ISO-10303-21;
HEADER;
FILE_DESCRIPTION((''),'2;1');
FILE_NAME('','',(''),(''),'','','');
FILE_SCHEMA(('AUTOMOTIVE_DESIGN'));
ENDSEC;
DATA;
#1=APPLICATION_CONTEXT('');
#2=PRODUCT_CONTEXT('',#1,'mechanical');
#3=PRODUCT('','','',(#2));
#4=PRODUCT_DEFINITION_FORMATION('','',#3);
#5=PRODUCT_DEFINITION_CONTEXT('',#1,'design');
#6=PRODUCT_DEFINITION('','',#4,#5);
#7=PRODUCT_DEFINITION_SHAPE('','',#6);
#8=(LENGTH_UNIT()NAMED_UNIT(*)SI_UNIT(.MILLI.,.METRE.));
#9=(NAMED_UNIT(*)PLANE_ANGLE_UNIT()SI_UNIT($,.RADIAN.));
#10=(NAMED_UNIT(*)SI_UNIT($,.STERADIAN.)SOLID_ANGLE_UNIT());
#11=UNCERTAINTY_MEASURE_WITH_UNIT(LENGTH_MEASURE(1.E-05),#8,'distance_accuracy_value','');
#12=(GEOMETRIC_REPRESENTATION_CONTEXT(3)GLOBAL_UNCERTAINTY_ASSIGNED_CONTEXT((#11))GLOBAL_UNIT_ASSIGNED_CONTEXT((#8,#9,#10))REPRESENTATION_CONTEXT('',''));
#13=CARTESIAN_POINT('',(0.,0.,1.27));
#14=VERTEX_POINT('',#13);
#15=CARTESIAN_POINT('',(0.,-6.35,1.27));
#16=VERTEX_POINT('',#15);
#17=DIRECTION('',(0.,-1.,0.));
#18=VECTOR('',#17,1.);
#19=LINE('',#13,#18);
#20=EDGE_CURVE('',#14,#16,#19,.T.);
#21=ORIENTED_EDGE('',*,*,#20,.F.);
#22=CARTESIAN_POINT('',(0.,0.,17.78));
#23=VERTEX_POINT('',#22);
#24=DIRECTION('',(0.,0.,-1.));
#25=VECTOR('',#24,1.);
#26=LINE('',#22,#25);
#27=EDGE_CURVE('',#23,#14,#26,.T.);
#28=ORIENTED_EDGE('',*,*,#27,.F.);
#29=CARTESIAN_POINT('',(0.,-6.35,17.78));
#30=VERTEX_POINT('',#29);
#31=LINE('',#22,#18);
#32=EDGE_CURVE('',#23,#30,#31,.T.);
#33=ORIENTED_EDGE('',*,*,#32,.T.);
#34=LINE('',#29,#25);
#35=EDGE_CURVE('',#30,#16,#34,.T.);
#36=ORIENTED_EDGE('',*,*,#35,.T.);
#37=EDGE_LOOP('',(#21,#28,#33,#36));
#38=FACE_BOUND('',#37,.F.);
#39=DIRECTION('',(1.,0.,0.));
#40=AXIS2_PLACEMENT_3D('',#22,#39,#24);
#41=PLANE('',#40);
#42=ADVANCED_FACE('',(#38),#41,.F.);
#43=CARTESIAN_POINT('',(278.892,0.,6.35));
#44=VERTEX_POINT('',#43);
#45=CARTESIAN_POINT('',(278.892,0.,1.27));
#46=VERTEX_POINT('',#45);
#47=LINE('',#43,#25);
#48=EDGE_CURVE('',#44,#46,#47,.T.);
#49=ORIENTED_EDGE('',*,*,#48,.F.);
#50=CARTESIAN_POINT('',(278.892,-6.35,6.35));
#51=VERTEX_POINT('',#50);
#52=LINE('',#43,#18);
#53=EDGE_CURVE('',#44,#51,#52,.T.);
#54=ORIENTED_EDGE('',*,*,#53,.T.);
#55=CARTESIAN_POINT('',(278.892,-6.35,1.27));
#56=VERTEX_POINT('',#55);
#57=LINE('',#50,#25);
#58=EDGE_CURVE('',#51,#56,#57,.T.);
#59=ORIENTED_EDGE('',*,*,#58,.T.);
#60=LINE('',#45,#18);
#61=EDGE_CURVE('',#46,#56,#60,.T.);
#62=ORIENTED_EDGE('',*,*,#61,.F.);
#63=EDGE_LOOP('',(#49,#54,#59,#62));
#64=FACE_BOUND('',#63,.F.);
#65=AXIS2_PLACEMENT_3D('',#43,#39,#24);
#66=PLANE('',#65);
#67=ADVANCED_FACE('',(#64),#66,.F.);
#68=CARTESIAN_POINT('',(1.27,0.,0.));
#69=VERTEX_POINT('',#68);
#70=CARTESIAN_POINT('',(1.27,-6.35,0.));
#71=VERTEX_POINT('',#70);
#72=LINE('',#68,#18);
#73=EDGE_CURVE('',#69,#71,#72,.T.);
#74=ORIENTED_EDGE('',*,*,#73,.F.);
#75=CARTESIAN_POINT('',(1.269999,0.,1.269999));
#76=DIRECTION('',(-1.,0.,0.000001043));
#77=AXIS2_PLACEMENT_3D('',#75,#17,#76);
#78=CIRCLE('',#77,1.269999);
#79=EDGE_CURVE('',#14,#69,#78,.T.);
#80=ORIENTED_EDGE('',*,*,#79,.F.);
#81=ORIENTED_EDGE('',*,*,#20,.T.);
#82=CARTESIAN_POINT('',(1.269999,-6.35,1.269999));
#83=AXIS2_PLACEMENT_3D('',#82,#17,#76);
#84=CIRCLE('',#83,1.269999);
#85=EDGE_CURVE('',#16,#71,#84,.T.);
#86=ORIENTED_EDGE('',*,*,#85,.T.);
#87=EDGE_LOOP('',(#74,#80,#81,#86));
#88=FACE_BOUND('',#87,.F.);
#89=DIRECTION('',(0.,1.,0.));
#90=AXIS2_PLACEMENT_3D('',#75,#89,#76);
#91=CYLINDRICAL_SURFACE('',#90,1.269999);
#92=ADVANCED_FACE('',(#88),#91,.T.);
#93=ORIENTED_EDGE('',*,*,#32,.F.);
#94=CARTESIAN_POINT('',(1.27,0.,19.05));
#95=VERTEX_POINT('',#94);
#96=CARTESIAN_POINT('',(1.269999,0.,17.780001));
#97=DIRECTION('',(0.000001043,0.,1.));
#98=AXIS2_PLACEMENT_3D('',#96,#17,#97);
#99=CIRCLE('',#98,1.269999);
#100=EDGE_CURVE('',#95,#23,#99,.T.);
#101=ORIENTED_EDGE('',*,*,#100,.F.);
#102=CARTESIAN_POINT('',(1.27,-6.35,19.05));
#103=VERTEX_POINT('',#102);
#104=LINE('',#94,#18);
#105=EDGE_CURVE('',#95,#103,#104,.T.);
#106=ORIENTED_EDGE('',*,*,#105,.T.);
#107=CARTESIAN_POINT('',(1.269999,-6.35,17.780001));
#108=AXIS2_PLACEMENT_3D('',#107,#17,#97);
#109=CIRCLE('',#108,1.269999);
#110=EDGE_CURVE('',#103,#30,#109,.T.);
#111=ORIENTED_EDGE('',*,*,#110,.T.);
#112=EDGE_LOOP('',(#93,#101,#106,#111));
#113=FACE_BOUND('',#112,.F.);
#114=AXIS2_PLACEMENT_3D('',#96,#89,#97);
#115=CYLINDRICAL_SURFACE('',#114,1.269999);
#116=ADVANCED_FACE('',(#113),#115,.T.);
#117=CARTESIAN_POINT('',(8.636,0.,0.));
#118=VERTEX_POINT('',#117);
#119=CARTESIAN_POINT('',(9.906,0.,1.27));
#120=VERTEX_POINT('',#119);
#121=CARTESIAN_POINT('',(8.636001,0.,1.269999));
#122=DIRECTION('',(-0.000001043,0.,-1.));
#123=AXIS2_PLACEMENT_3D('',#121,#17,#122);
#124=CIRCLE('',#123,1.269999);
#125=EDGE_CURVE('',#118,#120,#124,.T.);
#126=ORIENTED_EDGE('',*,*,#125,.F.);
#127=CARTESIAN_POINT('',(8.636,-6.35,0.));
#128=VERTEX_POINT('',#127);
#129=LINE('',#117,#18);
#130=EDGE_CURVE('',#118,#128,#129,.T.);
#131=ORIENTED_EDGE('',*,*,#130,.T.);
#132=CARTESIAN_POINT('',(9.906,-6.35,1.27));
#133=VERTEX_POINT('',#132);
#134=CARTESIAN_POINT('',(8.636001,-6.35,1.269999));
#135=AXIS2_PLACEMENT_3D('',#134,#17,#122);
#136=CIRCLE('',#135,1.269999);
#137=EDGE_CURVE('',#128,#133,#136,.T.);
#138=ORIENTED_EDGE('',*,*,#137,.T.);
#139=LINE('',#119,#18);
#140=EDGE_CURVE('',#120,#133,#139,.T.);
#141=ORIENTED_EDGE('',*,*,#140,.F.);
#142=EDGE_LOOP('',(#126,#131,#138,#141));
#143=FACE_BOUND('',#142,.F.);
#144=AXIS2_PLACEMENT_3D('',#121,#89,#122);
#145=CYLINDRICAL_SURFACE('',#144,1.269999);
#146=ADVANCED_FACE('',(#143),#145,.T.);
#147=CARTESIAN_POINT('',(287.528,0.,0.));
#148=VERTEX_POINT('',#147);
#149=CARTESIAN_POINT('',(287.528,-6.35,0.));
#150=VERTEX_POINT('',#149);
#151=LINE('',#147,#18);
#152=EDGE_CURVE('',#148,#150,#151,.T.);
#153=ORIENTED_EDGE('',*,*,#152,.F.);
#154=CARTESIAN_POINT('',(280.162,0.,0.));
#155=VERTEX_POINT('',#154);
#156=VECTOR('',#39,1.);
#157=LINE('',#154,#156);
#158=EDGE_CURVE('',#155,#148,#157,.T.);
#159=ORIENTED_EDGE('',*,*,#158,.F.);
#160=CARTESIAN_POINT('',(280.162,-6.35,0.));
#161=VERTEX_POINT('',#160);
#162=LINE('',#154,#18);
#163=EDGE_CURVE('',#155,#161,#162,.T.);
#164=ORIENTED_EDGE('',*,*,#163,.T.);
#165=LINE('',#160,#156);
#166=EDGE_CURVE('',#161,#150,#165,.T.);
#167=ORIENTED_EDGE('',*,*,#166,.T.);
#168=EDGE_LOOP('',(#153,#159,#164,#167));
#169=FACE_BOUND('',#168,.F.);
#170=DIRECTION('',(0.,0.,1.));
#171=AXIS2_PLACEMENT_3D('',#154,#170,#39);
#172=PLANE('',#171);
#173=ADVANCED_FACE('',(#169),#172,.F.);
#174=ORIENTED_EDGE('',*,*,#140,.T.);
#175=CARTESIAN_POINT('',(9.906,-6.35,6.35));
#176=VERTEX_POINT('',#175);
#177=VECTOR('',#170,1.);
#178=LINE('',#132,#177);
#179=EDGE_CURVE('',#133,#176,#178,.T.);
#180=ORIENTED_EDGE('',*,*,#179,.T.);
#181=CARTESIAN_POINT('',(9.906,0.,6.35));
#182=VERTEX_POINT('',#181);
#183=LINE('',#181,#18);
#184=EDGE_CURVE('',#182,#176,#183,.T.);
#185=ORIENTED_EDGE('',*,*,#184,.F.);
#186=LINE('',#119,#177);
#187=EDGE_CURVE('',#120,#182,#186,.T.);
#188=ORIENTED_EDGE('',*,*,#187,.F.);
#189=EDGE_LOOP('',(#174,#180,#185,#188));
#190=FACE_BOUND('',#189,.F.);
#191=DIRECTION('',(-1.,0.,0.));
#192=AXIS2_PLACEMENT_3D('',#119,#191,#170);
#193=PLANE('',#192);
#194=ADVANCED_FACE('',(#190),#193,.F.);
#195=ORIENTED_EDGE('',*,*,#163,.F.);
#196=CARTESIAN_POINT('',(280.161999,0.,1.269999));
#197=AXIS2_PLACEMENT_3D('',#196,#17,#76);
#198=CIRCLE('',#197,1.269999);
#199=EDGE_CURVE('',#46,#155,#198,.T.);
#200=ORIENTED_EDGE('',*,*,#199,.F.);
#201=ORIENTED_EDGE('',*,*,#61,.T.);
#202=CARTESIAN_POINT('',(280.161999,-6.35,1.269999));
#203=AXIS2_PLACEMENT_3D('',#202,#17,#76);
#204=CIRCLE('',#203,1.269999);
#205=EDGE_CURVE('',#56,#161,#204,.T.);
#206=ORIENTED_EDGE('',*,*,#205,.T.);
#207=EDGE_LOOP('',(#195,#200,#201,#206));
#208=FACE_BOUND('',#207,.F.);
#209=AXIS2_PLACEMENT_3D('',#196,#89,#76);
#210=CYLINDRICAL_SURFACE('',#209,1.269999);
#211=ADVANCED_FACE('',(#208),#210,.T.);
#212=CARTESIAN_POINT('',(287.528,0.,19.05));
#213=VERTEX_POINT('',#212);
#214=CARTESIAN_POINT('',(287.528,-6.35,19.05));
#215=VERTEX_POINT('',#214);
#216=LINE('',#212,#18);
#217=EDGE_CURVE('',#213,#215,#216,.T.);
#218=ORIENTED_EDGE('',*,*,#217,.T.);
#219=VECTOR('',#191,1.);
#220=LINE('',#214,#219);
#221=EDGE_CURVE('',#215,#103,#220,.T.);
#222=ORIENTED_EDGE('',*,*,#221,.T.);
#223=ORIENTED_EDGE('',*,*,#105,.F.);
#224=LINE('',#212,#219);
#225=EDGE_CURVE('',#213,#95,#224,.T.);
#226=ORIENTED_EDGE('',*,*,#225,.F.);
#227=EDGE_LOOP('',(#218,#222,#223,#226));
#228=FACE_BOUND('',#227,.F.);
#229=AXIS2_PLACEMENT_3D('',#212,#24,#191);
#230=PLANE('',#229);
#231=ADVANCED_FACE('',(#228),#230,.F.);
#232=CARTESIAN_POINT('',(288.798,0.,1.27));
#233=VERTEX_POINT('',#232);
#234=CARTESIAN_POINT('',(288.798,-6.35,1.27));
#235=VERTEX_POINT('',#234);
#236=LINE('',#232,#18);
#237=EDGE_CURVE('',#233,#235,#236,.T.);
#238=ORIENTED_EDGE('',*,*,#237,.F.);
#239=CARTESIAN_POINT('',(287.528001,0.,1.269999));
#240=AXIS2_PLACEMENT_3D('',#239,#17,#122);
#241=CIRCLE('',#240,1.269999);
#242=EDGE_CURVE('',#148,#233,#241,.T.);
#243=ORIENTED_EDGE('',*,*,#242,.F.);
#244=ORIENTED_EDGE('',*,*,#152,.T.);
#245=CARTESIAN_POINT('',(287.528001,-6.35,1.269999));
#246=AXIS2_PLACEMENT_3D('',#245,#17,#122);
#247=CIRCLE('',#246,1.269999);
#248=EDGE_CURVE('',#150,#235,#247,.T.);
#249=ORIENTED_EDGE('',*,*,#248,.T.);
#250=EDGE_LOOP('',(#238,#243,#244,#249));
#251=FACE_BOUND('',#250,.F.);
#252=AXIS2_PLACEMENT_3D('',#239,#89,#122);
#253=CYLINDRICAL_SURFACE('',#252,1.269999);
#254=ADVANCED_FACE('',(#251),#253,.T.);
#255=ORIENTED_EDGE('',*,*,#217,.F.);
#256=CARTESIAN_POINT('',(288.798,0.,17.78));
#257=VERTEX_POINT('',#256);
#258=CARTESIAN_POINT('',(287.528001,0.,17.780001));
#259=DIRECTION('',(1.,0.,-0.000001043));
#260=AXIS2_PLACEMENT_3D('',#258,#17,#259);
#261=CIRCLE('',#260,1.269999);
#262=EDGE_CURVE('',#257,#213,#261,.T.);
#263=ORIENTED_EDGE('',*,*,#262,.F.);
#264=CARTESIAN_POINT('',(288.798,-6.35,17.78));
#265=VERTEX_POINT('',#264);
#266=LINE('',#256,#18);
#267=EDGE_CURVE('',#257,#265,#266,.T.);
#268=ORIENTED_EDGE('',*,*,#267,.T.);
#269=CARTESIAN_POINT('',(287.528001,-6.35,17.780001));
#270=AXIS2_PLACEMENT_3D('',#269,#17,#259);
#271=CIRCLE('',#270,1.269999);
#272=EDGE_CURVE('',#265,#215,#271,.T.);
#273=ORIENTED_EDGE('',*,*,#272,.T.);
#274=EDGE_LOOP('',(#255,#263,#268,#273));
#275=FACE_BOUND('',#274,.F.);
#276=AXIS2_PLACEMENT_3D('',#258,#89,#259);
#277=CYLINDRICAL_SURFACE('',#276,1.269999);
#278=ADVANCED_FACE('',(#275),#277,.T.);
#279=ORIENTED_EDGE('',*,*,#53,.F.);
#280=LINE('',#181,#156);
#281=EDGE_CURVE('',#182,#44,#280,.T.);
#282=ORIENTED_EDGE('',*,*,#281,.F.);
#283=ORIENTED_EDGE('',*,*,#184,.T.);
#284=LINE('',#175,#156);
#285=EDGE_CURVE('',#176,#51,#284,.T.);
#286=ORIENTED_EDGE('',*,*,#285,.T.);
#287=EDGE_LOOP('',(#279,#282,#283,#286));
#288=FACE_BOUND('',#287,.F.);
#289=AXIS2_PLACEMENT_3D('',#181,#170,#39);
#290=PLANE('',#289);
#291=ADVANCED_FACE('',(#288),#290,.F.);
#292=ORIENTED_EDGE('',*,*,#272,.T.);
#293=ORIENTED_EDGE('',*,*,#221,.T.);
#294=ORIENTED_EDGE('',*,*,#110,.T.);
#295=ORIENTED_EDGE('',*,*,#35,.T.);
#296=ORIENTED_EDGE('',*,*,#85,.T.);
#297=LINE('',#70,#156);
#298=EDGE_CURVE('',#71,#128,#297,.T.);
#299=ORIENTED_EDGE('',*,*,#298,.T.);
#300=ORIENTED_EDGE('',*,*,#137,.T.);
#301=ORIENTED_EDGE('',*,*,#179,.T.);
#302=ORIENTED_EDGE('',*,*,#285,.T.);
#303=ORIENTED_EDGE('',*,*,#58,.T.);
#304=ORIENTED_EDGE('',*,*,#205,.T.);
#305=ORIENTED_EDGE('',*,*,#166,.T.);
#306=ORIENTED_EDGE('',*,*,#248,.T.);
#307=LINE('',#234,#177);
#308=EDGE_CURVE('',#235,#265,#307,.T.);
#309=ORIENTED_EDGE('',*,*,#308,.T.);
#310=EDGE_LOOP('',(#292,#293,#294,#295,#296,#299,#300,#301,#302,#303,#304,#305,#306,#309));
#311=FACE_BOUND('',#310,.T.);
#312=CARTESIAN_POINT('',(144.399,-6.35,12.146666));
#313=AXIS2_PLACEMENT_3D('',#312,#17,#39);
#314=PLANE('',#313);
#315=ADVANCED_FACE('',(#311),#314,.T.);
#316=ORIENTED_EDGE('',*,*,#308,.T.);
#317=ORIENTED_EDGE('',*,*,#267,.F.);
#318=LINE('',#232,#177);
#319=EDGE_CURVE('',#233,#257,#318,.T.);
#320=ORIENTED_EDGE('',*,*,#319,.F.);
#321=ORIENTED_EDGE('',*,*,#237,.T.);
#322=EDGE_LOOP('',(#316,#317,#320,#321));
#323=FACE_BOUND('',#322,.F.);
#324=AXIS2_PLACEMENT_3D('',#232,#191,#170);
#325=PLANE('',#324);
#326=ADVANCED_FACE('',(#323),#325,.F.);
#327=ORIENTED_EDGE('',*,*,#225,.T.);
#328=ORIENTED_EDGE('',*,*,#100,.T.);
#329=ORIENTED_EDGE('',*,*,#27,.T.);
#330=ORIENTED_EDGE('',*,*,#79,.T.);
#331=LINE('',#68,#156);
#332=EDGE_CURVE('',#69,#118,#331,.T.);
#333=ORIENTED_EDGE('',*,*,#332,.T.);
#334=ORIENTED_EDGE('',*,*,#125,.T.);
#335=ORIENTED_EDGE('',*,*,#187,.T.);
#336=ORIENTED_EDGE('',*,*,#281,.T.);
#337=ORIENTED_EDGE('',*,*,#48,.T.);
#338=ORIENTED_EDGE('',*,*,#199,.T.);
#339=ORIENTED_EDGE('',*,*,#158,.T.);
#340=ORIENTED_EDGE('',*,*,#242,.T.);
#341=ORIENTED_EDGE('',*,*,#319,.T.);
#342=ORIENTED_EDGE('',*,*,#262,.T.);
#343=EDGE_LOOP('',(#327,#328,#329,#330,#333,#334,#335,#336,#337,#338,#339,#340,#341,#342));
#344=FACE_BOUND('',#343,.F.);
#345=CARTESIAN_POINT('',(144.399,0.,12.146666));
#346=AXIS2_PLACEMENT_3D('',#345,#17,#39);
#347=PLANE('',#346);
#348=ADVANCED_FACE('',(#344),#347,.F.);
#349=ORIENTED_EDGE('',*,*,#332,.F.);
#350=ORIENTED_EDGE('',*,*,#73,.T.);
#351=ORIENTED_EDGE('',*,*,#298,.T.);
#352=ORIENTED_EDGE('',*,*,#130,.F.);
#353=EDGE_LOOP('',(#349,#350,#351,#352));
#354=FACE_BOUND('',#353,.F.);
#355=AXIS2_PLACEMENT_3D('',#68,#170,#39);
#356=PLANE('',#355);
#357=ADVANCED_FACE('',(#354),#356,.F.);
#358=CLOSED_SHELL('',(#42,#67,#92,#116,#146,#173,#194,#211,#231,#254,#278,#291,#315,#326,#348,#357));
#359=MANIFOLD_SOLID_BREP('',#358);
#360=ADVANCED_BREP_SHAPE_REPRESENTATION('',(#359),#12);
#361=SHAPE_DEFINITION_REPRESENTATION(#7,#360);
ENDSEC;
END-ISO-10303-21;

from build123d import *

# Parameters (mm, degrees)
F1_DEPTH = 6.35


with BuildPart() as f1:
    # F0 (on Front) → F1 (new body)
    with BuildSketch(Plane.XZ):
        with BuildLine():
            Line((0, 17.78), (0, 1.27))
            ThreePointArc((0, 1.27), (0.371974, 0.371974), (1.27, 0))
            Line((1.27, 0), (8.636, 0))
            ThreePointArc((8.636, 0), (9.534026, 0.371974), (9.906, 1.27))
            Line((9.906, 1.27), (9.906, 6.35))
            Line((9.906, 6.35), (278.892, 6.35))
            Line((278.892, 6.35), (278.892, 1.27))
            ThreePointArc((278.892, 1.27), (279.263974, 0.371974), (280.162, 0))
            Line((280.162, 0), (287.528, 0))
            ThreePointArc((287.528, 0), (288.426026, 0.371974), (288.798, 1.27))
            Line((288.798, 1.27), (288.798, 17.78))
            ThreePointArc((288.798, 17.78), (288.426026, 18.678026), (287.528, 19.05))
            Line((287.528, 19.05), (1.27, 19.05))
            ThreePointArc((1.27, 19.05), (0.371974, 18.678026), (0, 17.78))
        make_face()
    extrude(amount=F1_DEPTH)


solid = f1.part
